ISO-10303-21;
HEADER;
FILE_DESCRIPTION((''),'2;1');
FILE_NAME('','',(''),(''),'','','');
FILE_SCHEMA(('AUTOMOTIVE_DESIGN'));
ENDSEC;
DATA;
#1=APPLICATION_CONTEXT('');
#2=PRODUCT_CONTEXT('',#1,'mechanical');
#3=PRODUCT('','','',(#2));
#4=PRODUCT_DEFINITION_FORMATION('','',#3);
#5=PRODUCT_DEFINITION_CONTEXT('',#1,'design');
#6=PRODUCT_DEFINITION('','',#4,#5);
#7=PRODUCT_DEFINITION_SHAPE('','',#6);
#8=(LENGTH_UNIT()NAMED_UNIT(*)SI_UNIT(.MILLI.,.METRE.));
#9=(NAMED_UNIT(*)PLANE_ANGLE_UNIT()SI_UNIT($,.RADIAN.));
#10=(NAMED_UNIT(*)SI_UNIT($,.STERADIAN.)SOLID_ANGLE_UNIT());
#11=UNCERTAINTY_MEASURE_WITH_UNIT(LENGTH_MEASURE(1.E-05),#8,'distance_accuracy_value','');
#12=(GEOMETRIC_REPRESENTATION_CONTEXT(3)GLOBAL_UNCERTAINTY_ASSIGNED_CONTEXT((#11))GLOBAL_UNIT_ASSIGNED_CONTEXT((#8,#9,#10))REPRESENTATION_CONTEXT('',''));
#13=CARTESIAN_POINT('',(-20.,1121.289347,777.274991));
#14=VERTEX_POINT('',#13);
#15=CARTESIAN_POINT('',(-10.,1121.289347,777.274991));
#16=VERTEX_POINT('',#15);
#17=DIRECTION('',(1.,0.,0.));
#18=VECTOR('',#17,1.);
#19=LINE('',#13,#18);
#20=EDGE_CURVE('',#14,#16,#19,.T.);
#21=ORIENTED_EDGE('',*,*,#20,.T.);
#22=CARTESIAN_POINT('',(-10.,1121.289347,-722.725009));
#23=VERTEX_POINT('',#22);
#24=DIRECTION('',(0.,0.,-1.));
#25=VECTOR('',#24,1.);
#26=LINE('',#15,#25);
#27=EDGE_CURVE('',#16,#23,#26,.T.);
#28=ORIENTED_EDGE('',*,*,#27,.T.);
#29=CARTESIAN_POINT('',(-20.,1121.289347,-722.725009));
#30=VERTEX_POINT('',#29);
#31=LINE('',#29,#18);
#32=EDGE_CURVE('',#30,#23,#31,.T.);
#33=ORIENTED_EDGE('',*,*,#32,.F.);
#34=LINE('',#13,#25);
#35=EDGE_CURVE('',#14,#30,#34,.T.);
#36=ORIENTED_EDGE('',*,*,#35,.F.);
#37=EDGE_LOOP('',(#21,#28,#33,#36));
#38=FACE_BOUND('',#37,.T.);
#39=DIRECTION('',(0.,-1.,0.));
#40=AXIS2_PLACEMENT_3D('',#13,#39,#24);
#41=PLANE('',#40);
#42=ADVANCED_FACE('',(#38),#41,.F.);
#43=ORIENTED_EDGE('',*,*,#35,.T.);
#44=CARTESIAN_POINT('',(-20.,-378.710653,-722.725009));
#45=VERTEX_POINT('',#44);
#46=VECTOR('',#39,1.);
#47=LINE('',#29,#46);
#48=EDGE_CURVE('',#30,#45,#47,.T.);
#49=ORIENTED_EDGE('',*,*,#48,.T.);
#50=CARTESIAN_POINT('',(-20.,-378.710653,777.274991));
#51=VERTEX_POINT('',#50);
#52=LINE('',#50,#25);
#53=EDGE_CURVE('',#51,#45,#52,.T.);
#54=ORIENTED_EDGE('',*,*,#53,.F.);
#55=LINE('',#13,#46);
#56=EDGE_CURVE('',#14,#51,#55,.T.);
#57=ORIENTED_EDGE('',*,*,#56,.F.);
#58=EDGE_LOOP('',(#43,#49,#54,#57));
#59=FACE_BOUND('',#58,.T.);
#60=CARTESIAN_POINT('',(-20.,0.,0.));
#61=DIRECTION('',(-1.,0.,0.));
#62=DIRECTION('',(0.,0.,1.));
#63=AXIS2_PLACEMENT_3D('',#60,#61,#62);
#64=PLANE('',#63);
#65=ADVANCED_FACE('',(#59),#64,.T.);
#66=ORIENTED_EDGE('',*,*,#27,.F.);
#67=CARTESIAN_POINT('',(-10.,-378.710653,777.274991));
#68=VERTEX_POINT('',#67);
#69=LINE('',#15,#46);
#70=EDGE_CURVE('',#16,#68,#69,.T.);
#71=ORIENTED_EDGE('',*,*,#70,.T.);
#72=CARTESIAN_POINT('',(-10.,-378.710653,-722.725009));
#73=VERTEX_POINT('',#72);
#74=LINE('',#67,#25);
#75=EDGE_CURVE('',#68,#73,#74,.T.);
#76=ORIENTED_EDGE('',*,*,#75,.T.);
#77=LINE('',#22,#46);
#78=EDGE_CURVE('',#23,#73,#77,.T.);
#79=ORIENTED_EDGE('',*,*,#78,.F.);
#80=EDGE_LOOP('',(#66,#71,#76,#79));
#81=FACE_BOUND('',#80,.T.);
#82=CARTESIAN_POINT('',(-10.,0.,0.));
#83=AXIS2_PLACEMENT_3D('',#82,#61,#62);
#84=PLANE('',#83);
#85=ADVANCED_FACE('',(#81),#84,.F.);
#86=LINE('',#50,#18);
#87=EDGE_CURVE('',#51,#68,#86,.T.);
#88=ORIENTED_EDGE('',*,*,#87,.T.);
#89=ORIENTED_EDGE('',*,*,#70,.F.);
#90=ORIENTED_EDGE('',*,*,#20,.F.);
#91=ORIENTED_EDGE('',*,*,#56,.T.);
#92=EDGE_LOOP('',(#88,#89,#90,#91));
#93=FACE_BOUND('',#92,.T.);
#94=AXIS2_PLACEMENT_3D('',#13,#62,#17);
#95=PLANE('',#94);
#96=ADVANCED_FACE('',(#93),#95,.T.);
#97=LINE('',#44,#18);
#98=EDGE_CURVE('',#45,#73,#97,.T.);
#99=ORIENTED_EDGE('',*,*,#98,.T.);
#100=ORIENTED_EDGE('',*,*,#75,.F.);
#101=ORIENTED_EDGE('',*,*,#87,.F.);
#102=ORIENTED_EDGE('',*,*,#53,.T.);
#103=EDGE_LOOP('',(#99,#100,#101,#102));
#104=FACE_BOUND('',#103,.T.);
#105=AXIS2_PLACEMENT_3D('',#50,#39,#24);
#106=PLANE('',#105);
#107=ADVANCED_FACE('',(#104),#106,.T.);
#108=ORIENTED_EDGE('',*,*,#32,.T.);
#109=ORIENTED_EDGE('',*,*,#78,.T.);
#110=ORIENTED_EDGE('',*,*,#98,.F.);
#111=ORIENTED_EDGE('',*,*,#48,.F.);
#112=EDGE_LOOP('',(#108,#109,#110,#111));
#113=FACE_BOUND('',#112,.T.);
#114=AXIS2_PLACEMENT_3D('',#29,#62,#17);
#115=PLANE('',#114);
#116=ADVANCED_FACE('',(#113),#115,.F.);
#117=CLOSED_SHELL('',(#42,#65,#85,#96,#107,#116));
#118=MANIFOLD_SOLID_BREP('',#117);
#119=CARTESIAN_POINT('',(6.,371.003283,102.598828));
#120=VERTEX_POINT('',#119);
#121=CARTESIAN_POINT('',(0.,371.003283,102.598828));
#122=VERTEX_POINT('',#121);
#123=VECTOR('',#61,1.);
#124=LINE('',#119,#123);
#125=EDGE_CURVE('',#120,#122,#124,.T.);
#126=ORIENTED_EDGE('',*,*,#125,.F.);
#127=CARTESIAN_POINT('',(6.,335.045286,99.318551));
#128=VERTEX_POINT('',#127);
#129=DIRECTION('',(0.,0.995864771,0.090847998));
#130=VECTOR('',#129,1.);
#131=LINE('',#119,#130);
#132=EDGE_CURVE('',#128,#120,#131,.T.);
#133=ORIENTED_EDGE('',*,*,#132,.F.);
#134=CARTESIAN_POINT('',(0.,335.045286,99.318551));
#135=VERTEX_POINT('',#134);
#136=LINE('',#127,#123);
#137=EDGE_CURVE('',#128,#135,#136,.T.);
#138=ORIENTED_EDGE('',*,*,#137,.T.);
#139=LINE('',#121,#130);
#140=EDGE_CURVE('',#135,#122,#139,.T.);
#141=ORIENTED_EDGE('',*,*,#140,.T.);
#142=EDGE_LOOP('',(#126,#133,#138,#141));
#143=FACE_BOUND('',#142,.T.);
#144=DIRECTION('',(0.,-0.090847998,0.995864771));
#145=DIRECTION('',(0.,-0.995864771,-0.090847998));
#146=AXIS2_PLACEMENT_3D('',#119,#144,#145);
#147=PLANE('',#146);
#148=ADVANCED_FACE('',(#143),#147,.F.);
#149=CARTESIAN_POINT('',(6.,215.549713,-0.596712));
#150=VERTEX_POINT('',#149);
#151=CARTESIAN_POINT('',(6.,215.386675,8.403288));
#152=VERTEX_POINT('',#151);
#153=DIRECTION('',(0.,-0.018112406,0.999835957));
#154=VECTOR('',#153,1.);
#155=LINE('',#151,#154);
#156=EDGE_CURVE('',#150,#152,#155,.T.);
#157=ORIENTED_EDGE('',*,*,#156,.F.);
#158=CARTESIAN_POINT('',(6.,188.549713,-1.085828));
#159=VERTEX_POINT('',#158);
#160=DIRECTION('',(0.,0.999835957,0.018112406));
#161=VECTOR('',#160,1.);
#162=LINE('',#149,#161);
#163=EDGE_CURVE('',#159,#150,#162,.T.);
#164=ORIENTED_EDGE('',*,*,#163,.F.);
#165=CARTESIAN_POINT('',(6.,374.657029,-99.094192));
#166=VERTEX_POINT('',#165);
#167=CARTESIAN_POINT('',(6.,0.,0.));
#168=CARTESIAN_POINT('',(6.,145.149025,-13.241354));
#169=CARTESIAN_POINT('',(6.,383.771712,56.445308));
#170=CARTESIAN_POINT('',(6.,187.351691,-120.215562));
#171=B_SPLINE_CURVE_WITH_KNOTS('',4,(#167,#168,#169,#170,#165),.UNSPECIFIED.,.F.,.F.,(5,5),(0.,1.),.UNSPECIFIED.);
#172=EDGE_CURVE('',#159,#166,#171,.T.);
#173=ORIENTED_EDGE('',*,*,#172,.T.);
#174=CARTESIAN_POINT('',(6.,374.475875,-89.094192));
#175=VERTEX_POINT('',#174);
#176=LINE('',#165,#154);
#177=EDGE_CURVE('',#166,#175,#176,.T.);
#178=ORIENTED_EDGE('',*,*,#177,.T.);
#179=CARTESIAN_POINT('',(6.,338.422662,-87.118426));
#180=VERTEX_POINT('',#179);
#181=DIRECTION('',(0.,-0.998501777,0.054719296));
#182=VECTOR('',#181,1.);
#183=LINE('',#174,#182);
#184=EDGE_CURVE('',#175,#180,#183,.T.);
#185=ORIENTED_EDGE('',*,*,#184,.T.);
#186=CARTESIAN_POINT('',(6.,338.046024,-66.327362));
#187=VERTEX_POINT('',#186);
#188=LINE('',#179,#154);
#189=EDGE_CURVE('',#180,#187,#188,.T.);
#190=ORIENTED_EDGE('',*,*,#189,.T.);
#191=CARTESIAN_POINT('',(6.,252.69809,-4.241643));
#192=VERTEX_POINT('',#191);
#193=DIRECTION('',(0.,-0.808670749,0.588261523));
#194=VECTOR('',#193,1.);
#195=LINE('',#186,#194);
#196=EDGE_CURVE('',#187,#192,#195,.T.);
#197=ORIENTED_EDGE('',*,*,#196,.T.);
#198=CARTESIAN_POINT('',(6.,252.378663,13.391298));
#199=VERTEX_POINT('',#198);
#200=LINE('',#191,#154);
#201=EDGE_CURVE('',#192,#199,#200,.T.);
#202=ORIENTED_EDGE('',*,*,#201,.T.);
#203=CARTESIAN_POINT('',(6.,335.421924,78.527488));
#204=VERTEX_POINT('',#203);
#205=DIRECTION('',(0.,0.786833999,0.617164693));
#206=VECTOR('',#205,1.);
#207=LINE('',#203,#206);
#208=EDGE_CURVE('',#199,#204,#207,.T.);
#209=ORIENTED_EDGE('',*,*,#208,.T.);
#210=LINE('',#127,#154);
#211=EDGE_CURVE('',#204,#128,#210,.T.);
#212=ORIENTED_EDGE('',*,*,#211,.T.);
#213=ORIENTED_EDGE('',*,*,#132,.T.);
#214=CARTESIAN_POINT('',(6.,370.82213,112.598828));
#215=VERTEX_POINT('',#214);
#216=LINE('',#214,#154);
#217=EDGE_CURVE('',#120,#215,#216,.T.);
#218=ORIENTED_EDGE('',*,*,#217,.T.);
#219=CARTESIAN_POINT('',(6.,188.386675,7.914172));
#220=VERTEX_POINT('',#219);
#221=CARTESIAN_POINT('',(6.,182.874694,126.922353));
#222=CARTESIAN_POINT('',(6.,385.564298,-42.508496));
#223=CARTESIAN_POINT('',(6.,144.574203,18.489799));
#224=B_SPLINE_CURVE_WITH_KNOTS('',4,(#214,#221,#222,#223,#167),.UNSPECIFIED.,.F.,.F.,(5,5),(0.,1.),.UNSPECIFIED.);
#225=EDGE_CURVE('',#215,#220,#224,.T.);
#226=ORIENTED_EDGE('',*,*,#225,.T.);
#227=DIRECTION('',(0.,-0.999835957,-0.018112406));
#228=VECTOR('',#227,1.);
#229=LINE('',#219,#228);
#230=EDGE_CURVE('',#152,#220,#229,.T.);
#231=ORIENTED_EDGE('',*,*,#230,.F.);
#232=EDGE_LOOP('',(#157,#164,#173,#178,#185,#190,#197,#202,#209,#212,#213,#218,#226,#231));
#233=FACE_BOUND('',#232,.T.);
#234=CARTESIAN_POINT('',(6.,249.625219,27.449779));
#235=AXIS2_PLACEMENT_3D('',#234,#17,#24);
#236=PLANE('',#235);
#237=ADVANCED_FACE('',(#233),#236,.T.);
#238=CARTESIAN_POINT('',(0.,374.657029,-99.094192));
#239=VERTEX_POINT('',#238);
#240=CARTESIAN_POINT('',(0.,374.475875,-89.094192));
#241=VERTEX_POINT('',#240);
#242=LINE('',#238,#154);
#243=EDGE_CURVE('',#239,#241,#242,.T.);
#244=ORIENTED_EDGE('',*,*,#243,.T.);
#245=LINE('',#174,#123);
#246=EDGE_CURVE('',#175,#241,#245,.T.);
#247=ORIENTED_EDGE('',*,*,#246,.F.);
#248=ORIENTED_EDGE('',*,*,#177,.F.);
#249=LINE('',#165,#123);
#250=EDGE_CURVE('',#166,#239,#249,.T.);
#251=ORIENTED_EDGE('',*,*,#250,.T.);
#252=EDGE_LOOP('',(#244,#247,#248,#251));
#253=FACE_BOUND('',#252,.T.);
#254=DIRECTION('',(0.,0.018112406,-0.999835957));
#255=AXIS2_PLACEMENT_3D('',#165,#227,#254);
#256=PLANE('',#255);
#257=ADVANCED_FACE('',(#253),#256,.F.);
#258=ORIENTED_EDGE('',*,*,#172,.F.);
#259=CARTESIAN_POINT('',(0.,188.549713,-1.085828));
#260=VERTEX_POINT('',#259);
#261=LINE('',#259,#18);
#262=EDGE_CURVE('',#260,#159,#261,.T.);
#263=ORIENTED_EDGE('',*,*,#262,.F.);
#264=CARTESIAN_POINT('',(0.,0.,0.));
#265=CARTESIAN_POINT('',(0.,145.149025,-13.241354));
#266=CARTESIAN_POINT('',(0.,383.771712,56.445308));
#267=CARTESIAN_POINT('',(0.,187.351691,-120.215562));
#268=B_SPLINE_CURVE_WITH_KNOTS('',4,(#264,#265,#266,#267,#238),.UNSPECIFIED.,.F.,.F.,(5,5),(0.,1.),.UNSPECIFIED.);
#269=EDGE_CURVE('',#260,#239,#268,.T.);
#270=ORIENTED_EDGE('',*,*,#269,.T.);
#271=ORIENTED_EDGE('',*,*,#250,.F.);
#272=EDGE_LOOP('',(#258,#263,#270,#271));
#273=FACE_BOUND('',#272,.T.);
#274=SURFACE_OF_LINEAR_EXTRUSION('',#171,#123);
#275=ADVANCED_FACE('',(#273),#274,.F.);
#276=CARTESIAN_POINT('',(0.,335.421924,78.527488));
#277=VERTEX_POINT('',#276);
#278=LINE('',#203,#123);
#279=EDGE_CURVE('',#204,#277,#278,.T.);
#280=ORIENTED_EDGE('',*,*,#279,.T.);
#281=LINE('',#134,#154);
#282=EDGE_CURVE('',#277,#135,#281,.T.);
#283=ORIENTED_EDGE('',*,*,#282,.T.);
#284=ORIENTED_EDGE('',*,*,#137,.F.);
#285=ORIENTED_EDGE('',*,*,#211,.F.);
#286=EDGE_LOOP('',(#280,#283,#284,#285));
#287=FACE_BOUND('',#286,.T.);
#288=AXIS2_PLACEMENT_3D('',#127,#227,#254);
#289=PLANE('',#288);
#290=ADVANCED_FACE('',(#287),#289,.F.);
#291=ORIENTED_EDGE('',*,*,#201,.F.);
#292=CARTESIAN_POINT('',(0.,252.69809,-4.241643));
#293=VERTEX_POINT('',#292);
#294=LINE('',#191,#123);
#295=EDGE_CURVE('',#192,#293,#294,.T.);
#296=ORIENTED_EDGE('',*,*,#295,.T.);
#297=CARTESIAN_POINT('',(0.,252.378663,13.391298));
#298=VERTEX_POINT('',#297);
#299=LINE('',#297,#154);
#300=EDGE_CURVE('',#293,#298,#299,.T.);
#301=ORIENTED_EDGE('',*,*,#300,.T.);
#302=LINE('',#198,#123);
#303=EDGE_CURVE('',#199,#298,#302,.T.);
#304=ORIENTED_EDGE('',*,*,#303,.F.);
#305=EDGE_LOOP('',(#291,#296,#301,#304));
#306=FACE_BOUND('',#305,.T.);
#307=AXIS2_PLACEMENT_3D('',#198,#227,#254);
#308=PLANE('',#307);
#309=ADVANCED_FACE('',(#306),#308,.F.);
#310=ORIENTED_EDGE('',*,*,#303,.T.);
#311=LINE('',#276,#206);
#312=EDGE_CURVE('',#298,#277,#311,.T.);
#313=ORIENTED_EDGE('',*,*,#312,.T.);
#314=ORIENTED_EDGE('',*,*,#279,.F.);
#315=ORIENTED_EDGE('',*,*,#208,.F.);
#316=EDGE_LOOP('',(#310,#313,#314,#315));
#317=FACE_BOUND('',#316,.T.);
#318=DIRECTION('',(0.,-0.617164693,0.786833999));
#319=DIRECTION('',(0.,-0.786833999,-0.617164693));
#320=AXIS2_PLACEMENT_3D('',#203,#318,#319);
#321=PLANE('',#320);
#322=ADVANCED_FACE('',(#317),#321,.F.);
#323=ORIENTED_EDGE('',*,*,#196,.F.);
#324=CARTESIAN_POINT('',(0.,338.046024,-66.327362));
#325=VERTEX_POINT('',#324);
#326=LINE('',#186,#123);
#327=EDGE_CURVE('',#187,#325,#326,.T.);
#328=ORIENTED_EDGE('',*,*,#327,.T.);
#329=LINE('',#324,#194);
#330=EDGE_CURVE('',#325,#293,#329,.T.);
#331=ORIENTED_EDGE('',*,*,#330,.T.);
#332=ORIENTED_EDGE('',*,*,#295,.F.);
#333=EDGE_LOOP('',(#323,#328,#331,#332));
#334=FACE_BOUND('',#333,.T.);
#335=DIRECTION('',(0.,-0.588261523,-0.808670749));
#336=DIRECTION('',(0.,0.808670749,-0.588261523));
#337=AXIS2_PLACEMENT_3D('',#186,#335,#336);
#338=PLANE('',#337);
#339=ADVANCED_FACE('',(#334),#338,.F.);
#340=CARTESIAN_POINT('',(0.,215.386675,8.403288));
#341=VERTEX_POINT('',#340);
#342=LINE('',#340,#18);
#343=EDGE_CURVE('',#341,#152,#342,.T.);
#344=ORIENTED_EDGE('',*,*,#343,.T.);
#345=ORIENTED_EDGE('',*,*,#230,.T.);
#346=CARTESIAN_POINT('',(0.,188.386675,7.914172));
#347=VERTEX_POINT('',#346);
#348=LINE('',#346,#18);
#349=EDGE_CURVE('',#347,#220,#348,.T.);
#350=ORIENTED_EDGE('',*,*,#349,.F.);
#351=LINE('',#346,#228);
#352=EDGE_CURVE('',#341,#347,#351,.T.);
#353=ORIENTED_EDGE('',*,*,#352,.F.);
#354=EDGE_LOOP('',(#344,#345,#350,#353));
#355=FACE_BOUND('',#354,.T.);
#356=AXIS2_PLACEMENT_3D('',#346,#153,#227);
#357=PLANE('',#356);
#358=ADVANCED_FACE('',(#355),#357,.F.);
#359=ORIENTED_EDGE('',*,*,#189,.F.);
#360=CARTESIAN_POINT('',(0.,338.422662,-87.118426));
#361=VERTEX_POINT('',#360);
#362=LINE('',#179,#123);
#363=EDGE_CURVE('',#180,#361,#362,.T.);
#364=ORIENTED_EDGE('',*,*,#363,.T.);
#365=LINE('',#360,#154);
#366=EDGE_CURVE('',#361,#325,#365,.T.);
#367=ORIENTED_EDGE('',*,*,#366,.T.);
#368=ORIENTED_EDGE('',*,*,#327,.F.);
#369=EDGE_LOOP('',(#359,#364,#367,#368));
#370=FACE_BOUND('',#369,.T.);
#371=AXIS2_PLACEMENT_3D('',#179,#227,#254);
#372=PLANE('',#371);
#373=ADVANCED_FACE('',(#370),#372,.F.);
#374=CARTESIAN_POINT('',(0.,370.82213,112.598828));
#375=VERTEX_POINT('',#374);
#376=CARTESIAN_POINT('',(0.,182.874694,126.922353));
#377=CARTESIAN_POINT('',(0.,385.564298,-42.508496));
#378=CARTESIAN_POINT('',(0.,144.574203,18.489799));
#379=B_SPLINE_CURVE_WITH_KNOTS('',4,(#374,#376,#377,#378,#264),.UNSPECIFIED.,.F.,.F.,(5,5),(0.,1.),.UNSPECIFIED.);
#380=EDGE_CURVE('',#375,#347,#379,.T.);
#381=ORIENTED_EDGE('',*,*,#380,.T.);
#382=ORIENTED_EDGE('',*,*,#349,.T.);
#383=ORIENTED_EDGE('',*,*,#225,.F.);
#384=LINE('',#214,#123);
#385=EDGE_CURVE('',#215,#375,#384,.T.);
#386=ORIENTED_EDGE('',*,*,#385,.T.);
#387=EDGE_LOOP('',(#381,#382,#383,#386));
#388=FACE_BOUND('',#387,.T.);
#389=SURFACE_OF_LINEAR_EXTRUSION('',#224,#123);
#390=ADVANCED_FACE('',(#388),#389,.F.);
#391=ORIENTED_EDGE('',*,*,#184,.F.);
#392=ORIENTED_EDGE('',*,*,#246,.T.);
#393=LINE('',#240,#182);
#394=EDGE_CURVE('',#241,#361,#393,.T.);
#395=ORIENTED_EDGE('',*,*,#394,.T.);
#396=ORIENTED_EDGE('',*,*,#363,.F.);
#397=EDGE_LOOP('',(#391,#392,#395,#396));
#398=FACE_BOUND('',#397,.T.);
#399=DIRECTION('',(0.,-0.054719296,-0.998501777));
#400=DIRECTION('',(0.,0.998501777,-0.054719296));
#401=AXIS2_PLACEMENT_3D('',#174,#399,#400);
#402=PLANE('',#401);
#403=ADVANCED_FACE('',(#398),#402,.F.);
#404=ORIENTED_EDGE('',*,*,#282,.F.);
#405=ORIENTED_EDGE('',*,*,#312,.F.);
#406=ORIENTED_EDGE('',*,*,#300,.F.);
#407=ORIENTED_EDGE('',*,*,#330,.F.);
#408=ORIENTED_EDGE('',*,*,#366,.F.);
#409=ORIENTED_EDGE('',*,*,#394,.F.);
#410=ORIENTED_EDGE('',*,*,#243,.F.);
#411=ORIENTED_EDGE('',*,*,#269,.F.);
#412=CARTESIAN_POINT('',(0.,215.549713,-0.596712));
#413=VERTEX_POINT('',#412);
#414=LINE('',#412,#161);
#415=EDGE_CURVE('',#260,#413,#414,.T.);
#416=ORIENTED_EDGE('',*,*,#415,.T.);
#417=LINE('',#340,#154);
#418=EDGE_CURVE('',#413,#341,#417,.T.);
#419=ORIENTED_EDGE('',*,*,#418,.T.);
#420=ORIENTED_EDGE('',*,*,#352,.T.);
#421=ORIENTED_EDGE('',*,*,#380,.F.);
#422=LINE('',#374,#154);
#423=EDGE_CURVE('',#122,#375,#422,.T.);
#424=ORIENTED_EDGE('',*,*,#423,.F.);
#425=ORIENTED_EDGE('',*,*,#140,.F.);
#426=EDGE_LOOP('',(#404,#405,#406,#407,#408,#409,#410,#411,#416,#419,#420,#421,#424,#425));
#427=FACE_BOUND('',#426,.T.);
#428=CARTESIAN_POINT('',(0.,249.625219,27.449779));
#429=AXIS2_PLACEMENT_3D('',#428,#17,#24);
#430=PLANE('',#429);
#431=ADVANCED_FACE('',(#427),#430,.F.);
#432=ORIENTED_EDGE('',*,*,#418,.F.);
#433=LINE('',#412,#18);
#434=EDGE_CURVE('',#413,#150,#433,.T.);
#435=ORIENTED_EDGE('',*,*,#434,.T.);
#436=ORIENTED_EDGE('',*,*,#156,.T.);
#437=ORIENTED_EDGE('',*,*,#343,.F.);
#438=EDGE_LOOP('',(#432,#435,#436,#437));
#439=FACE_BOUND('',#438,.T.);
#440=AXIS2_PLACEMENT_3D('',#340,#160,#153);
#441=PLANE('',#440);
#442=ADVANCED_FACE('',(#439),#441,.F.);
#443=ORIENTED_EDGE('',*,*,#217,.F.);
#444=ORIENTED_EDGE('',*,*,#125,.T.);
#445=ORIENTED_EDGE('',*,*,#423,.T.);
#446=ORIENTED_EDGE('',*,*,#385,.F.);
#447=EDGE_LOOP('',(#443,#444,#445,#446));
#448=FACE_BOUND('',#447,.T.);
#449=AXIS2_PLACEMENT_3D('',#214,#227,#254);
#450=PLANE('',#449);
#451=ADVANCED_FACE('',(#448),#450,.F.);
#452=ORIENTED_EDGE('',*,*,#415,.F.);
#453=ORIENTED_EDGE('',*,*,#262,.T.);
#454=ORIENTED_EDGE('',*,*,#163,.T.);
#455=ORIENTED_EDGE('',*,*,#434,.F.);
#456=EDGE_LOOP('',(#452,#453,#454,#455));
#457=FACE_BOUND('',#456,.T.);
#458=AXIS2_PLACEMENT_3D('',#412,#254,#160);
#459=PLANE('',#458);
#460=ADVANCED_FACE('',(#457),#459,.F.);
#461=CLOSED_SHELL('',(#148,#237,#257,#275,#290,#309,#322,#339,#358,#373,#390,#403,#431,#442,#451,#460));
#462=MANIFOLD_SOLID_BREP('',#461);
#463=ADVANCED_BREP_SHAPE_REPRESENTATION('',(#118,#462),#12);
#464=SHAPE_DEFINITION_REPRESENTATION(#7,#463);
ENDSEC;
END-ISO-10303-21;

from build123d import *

# Parameters (mm, degrees)
BOSS_EXTRU_2_DEPTH      = 10
BOSS_EXTRU_3_DEPTH      = 6
ENL_V_MAT_EXTRU_1_DEPTH = 6


with BuildPart() as part:
    # Esquisse3D1 → Boss.-Extru.2 (new body)
    with BuildSketch(Plane(origin=(-20, 1121.289346724, 777.274991403), x_dir=(0, -0.7071067811865476, -0.7071067811865476), z_dir=(1, 0, 0))):
        Polygon((0, 0), (1060.66017178, 1060.66017178), (2121.32034356, 0), (1060.66017178, -1060.66017178), align=None)
    extrude(amount=BOSS_EXTRU_2_DEPTH)


with BuildPart() as body_2:
    # Esquisse5 → Boss.-Extru.3 (new body)
    with BuildSketch(Plane(origin=(0, 0, 0), x_dir=(0, 0, -1), z_dir=(1, 0, 0))):
        with BuildLine():
            Line((-8.104342583, 252.474437856), (-1.045313335, 252.602314833))
            Line((-1.045313335, 252.602314833), (4.241642527, 252.698090033))
            Line((4.241642527, 252.698090033), (66.327362258, 338.046023845))
            Line((66.327362258, 338.046023845), (87.118425546, 338.4226618))
            Line((87.118425546, 338.4226618), (89.094192112, 374.475874746))
            Line((89.094192112, 374.475874746), (99.094192112, 374.657028519))
            add(Edge.make_bspline(
                [(0, 0), (13.241353905, 145.149025234), (-56.44530803, 383.771712272), (120.215562295, 187.351690566), (99.094192112, 374.657028519)],
                knots=[0, 0, 0, 0, 0, 1, 1, 1, 1, 1], degree=4))
            add(Edge.make_bspline(
                [(0, 0), (-18.489799491, 144.574203419), (42.508495971, 385.564297763), (-126.922352922, 182.874693997), (-112.598828297, 370.822129592)],
                knots=[0, 0, 0, 0, 0, 1, 1, 1, 1, 1], degree=4))
            Line((-112.598828297, 370.822129592), (-102.598828297, 371.003283364))
            Line((-102.598828297, 371.003283364), (-99.318551483, 335.045285627))
            Line((-99.318551483, 335.045285627), (-78.527488195, 335.421923582))
            Line((-78.527488195, 335.421923582), (-13.391298445, 252.378662656))
            Line((-13.391298445, 252.378662656), (-8.104342583, 252.474437856))
        make_face()
    extrude(amount=BOSS_EXTRU_3_DEPTH)

    # Esquisse6 → Enlèv. mat.-Extru.1 (cut)
    with BuildSketch(Plane(origin=(6, 0, 0), x_dir=(0, 0, -1), z_dir=(1, 0, 0))):
        Polygon((-7.914172437, 188.386674922), (-8.403287623, 215.386674922), (0.596712377, 215.549713317), (1.085827563, 188.549713317), (117.063261114, -47.52702125), (-85.227699586, -65.220017949), align=None)
    extrude(amount=-ENL_V_MAT_EXTRU_1_DEPTH, mode=Mode.SUBTRACT)


solid = Compound([part.part, body_2.part])
